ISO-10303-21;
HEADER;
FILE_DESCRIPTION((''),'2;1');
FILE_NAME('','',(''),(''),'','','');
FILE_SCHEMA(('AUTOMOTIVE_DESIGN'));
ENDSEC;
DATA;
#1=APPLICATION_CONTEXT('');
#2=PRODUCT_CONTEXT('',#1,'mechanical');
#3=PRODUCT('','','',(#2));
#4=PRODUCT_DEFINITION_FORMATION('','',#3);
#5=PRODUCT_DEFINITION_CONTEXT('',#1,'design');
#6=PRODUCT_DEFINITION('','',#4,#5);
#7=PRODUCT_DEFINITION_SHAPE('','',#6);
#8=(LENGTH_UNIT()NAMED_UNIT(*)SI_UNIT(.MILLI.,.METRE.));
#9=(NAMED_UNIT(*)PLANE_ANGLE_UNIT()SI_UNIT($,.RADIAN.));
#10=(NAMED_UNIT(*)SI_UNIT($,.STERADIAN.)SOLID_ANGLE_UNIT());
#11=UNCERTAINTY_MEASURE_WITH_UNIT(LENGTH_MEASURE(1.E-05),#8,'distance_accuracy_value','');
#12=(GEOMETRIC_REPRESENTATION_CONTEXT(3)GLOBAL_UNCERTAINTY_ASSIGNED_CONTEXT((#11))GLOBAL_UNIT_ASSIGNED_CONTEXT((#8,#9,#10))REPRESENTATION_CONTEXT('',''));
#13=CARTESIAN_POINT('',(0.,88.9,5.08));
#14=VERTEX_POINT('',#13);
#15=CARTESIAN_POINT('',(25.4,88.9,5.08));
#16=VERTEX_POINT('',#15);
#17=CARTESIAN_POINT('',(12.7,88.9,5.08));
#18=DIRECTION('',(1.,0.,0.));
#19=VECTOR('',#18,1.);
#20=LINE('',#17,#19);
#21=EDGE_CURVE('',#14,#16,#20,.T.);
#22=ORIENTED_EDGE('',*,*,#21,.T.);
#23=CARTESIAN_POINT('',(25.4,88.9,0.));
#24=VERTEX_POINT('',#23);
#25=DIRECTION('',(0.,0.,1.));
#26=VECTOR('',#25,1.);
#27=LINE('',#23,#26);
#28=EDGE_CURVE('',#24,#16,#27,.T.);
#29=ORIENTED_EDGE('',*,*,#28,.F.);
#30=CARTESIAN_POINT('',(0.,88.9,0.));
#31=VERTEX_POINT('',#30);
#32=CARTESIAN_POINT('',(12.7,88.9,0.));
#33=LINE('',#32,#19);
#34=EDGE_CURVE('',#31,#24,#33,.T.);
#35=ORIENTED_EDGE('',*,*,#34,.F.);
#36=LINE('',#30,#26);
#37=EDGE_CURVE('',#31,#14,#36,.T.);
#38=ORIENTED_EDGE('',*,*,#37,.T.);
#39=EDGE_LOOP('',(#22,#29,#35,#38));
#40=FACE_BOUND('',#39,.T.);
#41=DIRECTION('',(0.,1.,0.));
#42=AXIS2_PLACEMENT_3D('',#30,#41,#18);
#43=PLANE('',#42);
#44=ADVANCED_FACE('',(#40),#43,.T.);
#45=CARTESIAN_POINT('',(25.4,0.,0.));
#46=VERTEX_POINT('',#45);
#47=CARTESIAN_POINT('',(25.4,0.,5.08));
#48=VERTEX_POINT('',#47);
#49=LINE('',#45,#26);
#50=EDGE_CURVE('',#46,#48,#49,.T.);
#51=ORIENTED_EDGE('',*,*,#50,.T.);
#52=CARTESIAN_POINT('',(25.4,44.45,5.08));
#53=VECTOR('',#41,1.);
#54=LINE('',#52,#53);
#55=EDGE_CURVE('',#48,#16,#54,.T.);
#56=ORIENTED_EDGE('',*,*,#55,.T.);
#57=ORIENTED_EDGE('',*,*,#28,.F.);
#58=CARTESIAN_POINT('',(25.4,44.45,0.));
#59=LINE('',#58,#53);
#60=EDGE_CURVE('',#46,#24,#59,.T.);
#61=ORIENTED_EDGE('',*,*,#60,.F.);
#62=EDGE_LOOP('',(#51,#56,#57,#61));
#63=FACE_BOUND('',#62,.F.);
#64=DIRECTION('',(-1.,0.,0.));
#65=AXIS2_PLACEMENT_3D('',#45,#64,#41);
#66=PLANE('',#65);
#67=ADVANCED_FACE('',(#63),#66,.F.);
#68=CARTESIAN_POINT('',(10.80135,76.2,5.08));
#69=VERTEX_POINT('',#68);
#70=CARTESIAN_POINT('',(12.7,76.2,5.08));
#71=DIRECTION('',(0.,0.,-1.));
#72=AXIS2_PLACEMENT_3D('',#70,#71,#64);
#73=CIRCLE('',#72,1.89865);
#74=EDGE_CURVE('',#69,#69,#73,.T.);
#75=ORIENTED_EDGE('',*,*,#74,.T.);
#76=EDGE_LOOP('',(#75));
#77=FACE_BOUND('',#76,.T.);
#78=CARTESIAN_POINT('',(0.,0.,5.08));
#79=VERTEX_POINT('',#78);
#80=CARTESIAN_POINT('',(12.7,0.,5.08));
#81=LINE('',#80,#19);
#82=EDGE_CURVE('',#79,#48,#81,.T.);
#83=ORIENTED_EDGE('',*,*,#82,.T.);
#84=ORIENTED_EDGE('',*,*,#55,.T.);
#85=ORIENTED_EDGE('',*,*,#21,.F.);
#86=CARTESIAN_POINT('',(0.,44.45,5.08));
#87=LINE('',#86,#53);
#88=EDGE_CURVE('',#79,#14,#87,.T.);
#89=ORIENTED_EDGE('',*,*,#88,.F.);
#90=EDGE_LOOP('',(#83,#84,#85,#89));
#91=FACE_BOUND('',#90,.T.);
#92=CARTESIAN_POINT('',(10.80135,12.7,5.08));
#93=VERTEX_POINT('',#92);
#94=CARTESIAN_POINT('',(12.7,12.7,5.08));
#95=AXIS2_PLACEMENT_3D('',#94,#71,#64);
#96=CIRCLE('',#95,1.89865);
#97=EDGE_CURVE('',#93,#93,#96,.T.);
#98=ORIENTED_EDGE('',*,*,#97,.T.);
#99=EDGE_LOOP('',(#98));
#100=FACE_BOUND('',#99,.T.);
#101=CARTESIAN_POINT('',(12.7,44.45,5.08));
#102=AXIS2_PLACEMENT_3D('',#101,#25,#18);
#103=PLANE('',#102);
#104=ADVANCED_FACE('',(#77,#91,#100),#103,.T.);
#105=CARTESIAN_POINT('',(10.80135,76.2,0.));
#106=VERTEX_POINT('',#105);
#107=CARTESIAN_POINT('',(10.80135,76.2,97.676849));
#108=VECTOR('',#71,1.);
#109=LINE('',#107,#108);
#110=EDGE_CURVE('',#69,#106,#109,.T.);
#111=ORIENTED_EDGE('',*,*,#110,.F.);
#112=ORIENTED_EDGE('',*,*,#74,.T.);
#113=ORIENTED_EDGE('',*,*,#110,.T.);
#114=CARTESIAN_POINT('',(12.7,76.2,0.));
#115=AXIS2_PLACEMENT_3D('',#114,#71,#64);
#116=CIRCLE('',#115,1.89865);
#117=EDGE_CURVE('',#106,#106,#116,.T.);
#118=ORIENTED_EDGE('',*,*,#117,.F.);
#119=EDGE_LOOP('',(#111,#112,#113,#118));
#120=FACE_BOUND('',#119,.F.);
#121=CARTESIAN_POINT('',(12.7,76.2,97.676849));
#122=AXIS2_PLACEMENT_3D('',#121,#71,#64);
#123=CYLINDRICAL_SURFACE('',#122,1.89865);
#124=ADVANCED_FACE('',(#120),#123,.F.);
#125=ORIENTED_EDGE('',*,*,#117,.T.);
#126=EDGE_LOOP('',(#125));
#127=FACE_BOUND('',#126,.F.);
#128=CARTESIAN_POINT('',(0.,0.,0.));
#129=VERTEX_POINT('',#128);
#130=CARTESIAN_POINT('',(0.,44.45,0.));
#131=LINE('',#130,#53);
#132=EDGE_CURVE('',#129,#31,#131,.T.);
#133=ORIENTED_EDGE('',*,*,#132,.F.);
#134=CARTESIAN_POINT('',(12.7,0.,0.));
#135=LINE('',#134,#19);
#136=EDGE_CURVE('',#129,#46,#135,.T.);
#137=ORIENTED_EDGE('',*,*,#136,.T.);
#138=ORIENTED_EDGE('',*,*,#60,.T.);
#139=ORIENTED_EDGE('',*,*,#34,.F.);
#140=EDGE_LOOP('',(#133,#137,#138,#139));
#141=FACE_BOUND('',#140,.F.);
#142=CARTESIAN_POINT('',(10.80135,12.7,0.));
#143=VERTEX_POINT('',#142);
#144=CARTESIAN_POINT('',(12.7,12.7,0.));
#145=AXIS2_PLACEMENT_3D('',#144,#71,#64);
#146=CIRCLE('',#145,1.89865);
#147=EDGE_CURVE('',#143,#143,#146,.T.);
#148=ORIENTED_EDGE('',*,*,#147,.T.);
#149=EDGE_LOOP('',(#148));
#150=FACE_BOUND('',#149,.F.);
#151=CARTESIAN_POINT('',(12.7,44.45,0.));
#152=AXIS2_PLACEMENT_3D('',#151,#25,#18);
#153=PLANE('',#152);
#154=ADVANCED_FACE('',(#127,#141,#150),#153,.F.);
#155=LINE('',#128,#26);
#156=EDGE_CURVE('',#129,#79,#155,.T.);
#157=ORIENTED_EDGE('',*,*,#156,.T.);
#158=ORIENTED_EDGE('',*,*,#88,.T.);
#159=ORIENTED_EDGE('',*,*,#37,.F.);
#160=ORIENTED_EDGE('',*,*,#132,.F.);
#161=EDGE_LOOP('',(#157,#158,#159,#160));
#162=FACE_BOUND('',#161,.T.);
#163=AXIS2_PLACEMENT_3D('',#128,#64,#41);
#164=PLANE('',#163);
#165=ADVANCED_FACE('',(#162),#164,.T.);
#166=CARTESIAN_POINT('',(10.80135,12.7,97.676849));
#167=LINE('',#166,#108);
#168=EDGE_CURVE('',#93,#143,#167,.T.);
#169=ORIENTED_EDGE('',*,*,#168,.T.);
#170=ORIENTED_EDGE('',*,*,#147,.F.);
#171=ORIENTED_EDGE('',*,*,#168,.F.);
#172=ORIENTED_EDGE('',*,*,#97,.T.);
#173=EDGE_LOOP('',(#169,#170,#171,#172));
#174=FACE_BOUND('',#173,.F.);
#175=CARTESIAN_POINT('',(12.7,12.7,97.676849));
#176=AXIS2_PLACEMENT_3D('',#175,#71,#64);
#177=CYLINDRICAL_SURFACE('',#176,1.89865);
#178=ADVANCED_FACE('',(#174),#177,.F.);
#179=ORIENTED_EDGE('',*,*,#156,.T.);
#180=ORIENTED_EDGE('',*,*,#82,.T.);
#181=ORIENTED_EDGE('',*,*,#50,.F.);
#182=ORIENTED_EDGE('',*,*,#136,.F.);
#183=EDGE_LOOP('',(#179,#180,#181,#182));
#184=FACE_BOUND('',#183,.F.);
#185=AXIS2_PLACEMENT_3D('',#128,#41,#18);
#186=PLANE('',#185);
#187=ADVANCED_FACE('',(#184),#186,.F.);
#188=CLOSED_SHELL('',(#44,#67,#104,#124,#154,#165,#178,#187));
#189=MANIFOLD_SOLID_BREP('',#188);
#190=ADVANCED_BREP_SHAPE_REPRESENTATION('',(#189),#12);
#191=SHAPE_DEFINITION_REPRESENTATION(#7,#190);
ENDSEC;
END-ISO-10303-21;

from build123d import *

# Parameters (mm, degrees)
F0_W     = 25.4
F0_H     = 88.9
F1_DEPTH = 5.08
F3_D     = 3.7973


with BuildPart() as f1:
    # F0 (on Top) → F1 (new body)
    with BuildSketch(Plane.XY):
        with Locations((12.7, 44.45)):
            Rectangle(F0_W, F0_H)
    extrude(amount=F1_DEPTH)

    # F3 (through all)
    with Locations(Plane.XY.offset(5.08)):
        with Locations((12.7, 76.2), (12.7, 12.7)):
            Hole(F3_D / 2)


solid = f1.part
